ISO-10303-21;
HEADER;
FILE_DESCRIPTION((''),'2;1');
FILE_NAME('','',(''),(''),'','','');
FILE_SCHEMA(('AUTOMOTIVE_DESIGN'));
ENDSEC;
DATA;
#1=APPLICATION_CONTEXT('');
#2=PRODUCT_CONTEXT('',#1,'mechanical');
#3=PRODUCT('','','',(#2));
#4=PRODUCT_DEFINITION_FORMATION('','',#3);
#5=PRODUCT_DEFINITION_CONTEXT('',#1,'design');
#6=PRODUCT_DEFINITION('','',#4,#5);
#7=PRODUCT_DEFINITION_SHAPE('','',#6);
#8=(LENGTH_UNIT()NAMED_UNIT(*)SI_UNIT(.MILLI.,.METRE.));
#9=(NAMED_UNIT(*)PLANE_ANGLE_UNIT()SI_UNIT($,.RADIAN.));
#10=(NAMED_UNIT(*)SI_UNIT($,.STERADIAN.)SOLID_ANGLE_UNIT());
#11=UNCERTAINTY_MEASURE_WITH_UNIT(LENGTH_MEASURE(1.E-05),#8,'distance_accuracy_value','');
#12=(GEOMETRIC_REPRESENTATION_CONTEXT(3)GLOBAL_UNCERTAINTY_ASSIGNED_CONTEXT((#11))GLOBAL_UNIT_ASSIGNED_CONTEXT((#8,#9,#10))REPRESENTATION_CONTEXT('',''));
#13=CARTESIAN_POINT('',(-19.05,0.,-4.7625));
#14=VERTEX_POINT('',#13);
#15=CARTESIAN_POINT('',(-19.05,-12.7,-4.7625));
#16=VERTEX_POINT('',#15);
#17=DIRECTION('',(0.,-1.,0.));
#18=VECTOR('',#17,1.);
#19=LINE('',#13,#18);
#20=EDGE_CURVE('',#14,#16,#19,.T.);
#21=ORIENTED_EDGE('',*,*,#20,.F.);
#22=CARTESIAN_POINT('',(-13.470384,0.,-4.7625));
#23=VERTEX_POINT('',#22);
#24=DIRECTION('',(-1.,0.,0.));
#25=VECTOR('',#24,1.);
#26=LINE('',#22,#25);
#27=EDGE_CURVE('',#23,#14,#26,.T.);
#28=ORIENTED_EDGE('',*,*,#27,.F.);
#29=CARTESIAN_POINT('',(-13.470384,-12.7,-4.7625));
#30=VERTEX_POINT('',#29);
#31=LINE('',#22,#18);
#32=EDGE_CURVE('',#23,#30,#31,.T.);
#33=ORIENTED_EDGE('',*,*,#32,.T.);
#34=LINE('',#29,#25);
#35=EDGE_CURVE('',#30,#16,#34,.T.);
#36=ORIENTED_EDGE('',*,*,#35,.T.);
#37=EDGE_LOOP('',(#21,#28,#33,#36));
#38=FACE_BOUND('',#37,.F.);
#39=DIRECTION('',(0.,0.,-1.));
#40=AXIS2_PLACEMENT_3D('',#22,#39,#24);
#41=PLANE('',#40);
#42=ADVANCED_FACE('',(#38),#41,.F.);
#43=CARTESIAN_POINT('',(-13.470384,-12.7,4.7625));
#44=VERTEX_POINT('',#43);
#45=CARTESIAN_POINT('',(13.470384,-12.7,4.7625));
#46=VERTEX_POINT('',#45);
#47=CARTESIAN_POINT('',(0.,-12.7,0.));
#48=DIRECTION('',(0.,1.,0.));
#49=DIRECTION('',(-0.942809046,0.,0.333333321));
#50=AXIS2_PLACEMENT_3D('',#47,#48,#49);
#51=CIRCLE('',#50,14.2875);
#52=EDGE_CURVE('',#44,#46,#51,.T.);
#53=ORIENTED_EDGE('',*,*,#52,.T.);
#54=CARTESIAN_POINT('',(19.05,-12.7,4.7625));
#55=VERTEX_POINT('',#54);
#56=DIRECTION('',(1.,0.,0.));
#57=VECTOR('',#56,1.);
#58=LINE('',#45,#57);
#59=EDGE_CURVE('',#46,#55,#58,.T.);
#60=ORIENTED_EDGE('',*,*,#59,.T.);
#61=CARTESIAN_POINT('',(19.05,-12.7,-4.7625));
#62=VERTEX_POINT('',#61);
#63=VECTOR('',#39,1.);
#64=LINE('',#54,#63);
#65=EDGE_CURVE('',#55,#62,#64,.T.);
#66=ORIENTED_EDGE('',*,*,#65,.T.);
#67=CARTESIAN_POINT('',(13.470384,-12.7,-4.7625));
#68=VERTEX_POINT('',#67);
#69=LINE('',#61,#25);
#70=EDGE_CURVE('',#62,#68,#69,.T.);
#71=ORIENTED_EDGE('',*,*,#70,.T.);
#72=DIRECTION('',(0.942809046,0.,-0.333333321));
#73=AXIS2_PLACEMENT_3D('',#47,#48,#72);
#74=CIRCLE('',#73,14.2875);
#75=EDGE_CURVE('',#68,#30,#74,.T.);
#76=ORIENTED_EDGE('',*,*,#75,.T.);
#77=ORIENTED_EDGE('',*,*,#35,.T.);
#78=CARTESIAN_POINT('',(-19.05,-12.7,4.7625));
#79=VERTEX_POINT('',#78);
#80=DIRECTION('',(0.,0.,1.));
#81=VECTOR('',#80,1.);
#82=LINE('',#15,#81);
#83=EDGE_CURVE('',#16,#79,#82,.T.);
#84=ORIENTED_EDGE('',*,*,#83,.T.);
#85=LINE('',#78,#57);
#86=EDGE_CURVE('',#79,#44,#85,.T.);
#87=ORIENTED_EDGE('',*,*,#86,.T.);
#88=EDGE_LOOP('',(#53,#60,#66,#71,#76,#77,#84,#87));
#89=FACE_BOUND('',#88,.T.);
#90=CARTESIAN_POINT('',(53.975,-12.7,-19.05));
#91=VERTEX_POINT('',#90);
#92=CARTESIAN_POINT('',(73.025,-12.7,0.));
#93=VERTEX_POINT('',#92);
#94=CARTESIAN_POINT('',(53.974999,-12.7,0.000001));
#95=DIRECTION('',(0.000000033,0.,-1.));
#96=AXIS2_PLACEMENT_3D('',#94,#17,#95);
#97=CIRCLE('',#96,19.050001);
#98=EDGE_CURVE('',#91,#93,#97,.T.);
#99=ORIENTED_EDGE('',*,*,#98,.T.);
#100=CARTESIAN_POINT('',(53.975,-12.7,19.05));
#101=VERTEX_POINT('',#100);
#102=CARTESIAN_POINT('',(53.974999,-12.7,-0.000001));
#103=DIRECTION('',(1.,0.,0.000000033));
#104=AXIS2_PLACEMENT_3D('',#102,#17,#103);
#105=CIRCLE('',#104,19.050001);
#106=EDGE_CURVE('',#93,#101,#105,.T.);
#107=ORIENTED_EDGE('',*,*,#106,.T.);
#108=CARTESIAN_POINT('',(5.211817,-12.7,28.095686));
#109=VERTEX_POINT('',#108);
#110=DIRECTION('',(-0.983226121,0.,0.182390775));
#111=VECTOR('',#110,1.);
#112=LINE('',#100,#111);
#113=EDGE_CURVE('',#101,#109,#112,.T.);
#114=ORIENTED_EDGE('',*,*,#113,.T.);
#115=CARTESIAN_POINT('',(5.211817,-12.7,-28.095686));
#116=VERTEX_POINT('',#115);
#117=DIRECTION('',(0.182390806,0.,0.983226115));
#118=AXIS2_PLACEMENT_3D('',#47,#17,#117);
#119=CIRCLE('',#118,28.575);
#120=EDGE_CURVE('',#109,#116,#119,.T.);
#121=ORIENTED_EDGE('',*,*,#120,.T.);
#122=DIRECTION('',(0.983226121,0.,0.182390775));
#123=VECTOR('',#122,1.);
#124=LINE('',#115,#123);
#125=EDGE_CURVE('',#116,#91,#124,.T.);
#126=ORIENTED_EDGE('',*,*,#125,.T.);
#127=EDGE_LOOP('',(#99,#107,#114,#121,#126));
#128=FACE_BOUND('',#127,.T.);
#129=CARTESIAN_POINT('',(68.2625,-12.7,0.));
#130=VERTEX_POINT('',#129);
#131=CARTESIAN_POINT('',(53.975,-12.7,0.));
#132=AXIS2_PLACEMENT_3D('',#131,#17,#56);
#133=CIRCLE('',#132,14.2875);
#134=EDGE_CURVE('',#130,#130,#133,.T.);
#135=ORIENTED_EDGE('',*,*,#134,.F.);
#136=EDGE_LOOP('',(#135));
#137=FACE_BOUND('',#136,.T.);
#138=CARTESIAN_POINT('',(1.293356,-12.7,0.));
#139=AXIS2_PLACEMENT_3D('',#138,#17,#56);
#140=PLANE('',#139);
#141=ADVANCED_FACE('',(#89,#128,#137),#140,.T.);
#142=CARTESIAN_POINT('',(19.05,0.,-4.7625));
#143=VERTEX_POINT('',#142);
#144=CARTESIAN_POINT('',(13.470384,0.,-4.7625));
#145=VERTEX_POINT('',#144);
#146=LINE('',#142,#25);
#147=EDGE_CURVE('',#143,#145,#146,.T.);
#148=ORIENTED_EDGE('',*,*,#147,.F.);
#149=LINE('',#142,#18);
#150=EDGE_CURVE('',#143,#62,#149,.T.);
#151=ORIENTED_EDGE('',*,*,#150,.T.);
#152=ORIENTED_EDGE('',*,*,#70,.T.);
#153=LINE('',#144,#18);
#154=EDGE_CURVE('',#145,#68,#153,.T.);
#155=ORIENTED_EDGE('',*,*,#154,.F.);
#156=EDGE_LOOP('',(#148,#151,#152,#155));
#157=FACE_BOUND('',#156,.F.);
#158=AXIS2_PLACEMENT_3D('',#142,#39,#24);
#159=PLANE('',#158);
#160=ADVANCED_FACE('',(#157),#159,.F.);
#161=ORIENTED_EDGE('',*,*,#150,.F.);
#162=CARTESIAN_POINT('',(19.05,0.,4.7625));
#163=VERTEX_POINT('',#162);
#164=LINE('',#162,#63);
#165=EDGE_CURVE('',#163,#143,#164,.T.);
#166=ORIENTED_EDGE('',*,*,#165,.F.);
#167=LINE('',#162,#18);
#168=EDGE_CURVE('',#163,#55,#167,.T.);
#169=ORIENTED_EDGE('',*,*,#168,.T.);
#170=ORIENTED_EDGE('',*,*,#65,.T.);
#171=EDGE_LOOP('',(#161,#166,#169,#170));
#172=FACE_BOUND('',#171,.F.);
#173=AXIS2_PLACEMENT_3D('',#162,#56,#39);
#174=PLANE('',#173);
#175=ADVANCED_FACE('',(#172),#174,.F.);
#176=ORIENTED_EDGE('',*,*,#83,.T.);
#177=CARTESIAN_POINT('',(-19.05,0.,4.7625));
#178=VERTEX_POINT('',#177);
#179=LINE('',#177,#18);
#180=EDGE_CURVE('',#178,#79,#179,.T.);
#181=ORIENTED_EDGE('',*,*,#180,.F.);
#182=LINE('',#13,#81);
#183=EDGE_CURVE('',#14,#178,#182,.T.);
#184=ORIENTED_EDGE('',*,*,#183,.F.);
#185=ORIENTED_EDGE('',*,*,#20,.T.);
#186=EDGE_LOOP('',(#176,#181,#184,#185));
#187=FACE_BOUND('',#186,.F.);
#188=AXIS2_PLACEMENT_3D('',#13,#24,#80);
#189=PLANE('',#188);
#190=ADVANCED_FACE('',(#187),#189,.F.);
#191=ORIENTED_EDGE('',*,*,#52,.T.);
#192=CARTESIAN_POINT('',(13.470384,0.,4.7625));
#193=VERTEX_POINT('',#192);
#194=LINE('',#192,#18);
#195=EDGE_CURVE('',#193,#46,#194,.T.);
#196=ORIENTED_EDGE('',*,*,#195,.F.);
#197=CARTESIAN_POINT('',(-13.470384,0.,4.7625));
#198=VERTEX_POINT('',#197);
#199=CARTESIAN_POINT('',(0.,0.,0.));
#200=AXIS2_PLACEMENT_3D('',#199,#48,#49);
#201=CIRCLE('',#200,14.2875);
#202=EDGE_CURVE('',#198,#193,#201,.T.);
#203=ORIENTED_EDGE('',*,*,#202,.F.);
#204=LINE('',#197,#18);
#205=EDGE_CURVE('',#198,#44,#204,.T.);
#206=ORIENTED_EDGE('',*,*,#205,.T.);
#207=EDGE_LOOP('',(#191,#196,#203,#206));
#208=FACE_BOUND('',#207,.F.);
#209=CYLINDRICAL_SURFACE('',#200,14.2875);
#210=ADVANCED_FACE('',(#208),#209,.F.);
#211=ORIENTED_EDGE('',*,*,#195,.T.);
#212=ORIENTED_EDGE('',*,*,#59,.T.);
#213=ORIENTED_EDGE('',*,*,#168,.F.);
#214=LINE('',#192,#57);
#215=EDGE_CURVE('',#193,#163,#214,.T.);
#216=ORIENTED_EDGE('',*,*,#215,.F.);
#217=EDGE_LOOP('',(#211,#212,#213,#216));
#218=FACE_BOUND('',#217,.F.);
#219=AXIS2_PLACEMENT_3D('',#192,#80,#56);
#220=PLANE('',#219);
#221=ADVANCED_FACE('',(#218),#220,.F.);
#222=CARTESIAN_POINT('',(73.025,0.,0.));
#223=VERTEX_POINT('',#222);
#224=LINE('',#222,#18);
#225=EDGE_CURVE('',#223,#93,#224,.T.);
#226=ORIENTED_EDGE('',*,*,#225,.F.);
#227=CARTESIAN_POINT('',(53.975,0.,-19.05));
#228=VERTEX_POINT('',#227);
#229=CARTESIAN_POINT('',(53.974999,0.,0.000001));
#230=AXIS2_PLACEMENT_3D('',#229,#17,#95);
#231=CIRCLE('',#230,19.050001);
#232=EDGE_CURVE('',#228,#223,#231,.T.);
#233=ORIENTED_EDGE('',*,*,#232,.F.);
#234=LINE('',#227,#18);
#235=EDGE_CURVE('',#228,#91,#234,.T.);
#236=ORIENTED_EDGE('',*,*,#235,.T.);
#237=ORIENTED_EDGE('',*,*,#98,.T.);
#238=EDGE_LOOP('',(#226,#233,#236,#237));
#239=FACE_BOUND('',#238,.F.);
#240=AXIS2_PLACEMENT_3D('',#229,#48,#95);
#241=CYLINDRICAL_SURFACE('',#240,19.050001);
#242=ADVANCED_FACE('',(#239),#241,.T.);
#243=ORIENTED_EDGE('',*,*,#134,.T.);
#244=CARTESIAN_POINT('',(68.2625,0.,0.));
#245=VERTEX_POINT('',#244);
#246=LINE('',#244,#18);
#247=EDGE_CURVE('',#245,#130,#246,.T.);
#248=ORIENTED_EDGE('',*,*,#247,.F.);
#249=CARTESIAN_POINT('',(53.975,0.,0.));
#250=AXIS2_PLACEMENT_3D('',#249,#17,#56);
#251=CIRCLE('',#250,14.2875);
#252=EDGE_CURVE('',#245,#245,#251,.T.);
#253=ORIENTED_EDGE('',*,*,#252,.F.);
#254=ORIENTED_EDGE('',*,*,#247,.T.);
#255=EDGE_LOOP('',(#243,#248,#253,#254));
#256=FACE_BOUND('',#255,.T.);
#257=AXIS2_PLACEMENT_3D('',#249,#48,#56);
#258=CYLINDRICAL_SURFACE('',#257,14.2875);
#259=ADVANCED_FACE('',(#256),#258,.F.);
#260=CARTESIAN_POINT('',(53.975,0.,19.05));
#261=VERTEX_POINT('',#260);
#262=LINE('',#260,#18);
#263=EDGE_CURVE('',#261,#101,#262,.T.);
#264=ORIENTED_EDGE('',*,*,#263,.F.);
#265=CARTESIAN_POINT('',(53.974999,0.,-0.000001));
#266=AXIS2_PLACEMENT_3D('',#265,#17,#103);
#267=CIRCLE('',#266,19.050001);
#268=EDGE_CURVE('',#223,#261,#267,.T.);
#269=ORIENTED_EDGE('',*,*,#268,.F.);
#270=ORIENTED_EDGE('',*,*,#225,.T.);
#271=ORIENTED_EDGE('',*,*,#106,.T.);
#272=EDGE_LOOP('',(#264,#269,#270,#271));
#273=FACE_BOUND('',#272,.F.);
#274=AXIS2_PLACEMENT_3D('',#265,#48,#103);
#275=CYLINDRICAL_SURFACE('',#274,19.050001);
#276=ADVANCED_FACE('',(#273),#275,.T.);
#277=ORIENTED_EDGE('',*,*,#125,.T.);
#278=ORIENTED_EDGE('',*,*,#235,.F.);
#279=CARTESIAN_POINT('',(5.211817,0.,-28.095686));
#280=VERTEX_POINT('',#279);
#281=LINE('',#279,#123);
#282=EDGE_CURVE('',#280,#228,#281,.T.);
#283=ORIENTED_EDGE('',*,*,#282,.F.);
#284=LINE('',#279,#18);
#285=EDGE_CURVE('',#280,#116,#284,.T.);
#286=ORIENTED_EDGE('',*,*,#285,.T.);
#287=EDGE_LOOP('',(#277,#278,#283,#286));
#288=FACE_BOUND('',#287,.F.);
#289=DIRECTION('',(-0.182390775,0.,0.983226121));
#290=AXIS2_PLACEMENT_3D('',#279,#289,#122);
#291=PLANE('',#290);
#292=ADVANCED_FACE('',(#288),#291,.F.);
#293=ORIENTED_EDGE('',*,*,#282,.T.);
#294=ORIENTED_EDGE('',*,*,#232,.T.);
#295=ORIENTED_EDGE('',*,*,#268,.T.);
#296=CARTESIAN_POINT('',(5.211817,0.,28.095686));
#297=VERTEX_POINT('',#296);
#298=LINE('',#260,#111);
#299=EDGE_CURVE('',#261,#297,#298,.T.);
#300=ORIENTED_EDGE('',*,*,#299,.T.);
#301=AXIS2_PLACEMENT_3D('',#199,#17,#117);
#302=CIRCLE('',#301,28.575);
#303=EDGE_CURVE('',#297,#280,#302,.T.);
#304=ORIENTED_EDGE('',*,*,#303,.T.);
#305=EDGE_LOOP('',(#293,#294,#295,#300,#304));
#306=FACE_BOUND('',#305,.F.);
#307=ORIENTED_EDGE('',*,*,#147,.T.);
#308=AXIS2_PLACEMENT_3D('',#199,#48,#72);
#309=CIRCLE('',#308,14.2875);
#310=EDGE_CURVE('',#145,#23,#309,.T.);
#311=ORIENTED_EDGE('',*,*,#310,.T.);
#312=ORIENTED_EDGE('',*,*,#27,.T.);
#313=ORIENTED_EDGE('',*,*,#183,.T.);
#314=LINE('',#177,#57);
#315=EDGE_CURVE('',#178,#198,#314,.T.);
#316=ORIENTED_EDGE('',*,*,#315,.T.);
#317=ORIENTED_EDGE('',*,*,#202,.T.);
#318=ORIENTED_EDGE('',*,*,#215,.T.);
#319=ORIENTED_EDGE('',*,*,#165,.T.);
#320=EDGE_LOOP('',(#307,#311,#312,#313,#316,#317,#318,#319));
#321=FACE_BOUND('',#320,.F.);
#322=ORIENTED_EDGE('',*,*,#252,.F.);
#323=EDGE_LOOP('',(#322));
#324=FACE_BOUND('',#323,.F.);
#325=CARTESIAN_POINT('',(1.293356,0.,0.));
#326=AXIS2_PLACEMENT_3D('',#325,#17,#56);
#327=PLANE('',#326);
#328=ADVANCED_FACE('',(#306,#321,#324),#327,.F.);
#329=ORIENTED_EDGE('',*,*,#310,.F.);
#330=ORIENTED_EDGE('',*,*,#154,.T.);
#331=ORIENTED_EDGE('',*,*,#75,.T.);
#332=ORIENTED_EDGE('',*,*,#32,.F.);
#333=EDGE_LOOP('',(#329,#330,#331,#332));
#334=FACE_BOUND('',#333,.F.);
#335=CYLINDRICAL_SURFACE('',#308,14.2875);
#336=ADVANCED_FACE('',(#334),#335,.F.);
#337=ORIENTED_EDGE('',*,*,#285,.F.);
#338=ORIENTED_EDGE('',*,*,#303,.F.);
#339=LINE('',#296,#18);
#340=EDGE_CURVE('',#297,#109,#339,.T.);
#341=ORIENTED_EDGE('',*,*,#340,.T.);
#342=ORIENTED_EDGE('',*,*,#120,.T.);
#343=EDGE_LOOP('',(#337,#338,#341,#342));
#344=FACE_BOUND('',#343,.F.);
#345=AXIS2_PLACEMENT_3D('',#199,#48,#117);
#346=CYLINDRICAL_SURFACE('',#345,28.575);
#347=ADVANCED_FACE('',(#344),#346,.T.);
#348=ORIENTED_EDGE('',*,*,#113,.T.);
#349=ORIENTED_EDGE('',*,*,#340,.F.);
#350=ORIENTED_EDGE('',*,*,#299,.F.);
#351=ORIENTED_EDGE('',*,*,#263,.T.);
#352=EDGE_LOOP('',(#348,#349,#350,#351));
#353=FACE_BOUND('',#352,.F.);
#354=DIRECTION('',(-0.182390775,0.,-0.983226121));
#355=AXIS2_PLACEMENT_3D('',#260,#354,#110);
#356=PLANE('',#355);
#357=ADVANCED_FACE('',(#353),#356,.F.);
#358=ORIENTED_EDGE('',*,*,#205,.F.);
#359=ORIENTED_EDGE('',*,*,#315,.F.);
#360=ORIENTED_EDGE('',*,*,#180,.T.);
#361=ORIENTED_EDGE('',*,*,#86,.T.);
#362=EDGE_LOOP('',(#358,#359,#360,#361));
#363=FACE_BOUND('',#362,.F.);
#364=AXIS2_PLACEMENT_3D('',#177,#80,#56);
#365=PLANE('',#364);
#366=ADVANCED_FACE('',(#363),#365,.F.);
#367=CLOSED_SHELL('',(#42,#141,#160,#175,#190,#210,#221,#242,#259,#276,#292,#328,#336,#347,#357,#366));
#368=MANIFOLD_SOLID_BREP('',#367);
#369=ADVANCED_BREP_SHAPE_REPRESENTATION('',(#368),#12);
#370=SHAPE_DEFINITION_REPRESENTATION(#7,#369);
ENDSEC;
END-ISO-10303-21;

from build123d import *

# Parameters (mm, degrees)
F0_R     = 14.2875
F1_DEPTH = 12.7


with BuildPart() as f1:
    # F0 (on Front) → F1 (new body)
    with BuildSketch(Plane.XZ):
        with BuildLine():
            ThreePointArc((5.211817, -28.095686), (21.971098, -18.270235), (28.575, 0))
            ThreePointArc((28.575, 0), (21.971098, 18.270235), (5.211817, 28.095686))
            ThreePointArc((5.211817, 28.095686), (-28.575, 0), (5.211817, -28.095686))
        make_face()
        with BuildLine():
            ThreePointArc((-13.470384, 4.7625), (0, 14.2875), (13.470384, 4.7625))
            Line((13.470384, 4.7625), (19.05, 4.7625))
            Line((19.05, 4.7625), (19.05, -4.7625))
            Line((19.05, -4.7625), (13.470384, -4.7625))
            ThreePointArc((13.470384, -4.7625), (0, -14.2875), (-13.470384, -4.7625))
            Line((-13.470384, -4.7625), (-19.05, -4.7625))
            Line((-19.05, -4.7625), (-19.05, 4.7625))
            Line((-19.05, 4.7625), (-13.470384, 4.7625))
        make_face(mode=Mode.SUBTRACT)
        with BuildLine():
            ThreePointArc((5.211817, 28.095686), (21.971098, 18.270235), (28.575, 0))
            ThreePointArc((28.575, 0), (21.971098, -18.270235), (5.211817, -28.095686))
            Line((5.211817, -28.095686), (53.975, -19.05))
            ThreePointArc((53.975, -19.05), (34.925, 0), (53.975, 19.05))
            Line((53.975, 19.05), (5.211817, 28.095686))
        make_face()
        with BuildLine():
            ThreePointArc((73.025, 0), (67.445384, 13.470384), (53.975, 19.05))
            ThreePointArc((53.975, 19.05), (34.925, 0), (53.975, -19.05))
            ThreePointArc((53.975, -19.05), (67.445384, -13.470384), (73.025, 0))
        make_face()
        with Locations((53.975, 0)):
            Circle(F0_R, mode=Mode.SUBTRACT)
    extrude(amount=F1_DEPTH)


solid = f1.part
